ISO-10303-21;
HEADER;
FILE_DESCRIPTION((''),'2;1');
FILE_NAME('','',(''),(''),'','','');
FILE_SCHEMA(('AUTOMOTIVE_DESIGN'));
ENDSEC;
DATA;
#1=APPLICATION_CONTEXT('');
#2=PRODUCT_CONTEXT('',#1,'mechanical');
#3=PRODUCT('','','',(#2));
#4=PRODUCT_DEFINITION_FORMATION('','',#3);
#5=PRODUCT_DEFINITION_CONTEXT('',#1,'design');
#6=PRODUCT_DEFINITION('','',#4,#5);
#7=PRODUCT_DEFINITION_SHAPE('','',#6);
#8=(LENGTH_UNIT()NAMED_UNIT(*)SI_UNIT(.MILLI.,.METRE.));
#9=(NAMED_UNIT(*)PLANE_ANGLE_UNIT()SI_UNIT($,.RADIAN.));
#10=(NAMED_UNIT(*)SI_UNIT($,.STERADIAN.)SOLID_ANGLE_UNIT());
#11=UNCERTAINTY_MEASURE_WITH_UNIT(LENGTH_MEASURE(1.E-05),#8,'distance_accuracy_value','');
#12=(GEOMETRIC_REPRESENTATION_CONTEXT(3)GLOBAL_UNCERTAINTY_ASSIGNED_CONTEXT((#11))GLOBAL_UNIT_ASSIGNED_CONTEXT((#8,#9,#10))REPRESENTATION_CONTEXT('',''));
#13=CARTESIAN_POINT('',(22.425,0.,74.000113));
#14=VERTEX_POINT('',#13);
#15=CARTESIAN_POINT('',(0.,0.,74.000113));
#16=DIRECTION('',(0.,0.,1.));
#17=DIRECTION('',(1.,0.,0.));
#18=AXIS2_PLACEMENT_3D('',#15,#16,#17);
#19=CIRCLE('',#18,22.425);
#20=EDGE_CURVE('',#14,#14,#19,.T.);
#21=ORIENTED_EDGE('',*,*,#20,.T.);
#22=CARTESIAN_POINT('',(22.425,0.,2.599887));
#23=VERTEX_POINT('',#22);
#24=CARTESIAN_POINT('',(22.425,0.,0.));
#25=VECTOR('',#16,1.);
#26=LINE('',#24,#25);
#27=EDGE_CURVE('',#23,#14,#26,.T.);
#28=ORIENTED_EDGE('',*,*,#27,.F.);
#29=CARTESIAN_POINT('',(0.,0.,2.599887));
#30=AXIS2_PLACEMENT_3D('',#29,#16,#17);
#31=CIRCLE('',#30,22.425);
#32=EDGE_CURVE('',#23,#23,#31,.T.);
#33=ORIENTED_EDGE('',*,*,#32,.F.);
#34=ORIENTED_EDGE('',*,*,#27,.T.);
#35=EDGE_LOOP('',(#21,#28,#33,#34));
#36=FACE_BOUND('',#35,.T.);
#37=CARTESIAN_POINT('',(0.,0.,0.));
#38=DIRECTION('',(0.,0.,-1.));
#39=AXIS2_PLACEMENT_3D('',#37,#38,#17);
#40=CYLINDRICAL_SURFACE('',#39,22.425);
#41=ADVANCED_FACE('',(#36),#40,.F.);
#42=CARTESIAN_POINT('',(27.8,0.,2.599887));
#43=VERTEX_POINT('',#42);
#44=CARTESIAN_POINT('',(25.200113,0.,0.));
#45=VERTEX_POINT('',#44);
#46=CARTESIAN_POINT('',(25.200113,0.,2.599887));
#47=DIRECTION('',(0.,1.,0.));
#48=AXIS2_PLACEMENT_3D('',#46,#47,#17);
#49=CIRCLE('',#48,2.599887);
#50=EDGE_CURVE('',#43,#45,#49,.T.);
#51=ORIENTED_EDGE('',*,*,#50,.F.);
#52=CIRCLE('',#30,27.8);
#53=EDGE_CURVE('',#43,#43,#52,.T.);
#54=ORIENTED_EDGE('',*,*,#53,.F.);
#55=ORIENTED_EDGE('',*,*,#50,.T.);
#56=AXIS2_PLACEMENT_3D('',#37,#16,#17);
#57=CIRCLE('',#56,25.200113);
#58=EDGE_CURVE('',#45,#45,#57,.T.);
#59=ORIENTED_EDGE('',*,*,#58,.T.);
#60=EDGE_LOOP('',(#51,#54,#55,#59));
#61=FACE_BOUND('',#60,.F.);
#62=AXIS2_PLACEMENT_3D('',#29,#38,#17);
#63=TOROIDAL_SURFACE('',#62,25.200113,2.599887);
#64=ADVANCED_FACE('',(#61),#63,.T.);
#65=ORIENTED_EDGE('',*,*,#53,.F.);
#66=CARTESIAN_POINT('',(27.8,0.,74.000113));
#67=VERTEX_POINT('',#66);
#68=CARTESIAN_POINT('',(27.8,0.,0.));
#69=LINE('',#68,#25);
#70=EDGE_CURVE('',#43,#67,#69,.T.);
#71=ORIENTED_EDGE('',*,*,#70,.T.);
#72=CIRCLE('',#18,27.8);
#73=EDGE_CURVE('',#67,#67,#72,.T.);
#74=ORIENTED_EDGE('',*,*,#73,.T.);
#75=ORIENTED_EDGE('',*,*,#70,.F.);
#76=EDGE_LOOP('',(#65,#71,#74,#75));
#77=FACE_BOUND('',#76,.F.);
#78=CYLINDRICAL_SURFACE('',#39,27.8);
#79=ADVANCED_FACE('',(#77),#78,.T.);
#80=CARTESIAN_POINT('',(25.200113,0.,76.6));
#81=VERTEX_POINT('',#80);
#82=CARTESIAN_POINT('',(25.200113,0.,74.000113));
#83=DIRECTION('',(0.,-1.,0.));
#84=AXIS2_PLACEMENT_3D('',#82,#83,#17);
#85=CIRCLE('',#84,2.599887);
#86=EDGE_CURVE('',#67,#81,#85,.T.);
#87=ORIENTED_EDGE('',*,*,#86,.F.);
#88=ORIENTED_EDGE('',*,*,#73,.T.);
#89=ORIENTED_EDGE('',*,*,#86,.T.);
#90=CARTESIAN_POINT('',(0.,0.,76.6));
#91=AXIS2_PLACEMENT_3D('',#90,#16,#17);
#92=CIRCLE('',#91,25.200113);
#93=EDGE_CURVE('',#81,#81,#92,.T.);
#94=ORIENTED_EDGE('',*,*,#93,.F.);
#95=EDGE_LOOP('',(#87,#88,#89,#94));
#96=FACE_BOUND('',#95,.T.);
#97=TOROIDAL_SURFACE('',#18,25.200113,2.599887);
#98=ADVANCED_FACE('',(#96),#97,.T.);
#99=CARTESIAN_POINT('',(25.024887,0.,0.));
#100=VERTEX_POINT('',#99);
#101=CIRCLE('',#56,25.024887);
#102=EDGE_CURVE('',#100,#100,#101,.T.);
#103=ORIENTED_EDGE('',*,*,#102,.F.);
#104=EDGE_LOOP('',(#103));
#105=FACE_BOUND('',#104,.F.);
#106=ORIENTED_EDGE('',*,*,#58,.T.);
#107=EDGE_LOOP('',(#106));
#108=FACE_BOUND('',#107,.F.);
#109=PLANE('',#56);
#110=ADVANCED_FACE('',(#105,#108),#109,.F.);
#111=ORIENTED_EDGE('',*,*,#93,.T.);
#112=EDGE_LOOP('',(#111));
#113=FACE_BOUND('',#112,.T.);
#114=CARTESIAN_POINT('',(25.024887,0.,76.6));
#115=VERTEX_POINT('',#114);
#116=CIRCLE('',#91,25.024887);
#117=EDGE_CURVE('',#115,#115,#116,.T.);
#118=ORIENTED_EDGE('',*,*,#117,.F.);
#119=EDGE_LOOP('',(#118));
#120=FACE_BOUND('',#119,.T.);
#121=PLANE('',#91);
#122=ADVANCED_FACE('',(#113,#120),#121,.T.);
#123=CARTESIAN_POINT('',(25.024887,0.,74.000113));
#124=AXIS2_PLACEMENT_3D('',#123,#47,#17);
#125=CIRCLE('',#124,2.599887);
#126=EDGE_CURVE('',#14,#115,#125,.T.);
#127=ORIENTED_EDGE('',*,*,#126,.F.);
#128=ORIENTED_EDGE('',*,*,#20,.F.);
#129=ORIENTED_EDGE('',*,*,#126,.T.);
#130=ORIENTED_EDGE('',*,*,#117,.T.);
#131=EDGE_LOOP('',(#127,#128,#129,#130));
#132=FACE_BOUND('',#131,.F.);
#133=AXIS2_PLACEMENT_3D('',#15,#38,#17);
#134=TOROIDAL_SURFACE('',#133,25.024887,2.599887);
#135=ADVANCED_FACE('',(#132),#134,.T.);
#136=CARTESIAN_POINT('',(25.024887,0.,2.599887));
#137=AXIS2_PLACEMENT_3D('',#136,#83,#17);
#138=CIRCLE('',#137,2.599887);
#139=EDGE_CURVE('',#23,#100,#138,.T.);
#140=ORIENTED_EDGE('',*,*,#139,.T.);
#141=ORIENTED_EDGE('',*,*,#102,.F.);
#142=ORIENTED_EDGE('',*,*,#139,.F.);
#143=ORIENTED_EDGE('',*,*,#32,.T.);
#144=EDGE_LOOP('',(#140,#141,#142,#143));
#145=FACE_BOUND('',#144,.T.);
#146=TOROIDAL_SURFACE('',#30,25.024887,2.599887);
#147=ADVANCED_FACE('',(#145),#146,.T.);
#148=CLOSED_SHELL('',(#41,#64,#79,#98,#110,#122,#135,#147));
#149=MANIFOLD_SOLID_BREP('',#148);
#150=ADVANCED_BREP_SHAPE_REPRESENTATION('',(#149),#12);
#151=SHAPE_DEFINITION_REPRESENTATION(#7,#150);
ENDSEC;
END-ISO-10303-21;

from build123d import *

# Parameters (mm, degrees)
SKETCH_R   = 27.8
SKETCH_R_2 = 22.425
PAD_DEPTH  = 76.6
FILLET_R   = 2.599887


with BuildPart() as part:
    # Sketch → Pad (new body)
    with BuildSketch(Plane.XY):
        Circle(SKETCH_R)
        Circle(SKETCH_R_2, mode=Mode.SUBTRACT)
    extrude(amount=PAD_DEPTH)

    # Fillet
    fillet_edges = [part.edges().sort_by_distance(p)[0] for p in [
        (-27.8, 0, 76.6),
        (-22.425, 0, 76.6),
        (-27.8, 0, 0),
        (-22.425, 0, 0),
    ]]
    fillet(fillet_edges, radius=FILLET_R)


solid = part.part
